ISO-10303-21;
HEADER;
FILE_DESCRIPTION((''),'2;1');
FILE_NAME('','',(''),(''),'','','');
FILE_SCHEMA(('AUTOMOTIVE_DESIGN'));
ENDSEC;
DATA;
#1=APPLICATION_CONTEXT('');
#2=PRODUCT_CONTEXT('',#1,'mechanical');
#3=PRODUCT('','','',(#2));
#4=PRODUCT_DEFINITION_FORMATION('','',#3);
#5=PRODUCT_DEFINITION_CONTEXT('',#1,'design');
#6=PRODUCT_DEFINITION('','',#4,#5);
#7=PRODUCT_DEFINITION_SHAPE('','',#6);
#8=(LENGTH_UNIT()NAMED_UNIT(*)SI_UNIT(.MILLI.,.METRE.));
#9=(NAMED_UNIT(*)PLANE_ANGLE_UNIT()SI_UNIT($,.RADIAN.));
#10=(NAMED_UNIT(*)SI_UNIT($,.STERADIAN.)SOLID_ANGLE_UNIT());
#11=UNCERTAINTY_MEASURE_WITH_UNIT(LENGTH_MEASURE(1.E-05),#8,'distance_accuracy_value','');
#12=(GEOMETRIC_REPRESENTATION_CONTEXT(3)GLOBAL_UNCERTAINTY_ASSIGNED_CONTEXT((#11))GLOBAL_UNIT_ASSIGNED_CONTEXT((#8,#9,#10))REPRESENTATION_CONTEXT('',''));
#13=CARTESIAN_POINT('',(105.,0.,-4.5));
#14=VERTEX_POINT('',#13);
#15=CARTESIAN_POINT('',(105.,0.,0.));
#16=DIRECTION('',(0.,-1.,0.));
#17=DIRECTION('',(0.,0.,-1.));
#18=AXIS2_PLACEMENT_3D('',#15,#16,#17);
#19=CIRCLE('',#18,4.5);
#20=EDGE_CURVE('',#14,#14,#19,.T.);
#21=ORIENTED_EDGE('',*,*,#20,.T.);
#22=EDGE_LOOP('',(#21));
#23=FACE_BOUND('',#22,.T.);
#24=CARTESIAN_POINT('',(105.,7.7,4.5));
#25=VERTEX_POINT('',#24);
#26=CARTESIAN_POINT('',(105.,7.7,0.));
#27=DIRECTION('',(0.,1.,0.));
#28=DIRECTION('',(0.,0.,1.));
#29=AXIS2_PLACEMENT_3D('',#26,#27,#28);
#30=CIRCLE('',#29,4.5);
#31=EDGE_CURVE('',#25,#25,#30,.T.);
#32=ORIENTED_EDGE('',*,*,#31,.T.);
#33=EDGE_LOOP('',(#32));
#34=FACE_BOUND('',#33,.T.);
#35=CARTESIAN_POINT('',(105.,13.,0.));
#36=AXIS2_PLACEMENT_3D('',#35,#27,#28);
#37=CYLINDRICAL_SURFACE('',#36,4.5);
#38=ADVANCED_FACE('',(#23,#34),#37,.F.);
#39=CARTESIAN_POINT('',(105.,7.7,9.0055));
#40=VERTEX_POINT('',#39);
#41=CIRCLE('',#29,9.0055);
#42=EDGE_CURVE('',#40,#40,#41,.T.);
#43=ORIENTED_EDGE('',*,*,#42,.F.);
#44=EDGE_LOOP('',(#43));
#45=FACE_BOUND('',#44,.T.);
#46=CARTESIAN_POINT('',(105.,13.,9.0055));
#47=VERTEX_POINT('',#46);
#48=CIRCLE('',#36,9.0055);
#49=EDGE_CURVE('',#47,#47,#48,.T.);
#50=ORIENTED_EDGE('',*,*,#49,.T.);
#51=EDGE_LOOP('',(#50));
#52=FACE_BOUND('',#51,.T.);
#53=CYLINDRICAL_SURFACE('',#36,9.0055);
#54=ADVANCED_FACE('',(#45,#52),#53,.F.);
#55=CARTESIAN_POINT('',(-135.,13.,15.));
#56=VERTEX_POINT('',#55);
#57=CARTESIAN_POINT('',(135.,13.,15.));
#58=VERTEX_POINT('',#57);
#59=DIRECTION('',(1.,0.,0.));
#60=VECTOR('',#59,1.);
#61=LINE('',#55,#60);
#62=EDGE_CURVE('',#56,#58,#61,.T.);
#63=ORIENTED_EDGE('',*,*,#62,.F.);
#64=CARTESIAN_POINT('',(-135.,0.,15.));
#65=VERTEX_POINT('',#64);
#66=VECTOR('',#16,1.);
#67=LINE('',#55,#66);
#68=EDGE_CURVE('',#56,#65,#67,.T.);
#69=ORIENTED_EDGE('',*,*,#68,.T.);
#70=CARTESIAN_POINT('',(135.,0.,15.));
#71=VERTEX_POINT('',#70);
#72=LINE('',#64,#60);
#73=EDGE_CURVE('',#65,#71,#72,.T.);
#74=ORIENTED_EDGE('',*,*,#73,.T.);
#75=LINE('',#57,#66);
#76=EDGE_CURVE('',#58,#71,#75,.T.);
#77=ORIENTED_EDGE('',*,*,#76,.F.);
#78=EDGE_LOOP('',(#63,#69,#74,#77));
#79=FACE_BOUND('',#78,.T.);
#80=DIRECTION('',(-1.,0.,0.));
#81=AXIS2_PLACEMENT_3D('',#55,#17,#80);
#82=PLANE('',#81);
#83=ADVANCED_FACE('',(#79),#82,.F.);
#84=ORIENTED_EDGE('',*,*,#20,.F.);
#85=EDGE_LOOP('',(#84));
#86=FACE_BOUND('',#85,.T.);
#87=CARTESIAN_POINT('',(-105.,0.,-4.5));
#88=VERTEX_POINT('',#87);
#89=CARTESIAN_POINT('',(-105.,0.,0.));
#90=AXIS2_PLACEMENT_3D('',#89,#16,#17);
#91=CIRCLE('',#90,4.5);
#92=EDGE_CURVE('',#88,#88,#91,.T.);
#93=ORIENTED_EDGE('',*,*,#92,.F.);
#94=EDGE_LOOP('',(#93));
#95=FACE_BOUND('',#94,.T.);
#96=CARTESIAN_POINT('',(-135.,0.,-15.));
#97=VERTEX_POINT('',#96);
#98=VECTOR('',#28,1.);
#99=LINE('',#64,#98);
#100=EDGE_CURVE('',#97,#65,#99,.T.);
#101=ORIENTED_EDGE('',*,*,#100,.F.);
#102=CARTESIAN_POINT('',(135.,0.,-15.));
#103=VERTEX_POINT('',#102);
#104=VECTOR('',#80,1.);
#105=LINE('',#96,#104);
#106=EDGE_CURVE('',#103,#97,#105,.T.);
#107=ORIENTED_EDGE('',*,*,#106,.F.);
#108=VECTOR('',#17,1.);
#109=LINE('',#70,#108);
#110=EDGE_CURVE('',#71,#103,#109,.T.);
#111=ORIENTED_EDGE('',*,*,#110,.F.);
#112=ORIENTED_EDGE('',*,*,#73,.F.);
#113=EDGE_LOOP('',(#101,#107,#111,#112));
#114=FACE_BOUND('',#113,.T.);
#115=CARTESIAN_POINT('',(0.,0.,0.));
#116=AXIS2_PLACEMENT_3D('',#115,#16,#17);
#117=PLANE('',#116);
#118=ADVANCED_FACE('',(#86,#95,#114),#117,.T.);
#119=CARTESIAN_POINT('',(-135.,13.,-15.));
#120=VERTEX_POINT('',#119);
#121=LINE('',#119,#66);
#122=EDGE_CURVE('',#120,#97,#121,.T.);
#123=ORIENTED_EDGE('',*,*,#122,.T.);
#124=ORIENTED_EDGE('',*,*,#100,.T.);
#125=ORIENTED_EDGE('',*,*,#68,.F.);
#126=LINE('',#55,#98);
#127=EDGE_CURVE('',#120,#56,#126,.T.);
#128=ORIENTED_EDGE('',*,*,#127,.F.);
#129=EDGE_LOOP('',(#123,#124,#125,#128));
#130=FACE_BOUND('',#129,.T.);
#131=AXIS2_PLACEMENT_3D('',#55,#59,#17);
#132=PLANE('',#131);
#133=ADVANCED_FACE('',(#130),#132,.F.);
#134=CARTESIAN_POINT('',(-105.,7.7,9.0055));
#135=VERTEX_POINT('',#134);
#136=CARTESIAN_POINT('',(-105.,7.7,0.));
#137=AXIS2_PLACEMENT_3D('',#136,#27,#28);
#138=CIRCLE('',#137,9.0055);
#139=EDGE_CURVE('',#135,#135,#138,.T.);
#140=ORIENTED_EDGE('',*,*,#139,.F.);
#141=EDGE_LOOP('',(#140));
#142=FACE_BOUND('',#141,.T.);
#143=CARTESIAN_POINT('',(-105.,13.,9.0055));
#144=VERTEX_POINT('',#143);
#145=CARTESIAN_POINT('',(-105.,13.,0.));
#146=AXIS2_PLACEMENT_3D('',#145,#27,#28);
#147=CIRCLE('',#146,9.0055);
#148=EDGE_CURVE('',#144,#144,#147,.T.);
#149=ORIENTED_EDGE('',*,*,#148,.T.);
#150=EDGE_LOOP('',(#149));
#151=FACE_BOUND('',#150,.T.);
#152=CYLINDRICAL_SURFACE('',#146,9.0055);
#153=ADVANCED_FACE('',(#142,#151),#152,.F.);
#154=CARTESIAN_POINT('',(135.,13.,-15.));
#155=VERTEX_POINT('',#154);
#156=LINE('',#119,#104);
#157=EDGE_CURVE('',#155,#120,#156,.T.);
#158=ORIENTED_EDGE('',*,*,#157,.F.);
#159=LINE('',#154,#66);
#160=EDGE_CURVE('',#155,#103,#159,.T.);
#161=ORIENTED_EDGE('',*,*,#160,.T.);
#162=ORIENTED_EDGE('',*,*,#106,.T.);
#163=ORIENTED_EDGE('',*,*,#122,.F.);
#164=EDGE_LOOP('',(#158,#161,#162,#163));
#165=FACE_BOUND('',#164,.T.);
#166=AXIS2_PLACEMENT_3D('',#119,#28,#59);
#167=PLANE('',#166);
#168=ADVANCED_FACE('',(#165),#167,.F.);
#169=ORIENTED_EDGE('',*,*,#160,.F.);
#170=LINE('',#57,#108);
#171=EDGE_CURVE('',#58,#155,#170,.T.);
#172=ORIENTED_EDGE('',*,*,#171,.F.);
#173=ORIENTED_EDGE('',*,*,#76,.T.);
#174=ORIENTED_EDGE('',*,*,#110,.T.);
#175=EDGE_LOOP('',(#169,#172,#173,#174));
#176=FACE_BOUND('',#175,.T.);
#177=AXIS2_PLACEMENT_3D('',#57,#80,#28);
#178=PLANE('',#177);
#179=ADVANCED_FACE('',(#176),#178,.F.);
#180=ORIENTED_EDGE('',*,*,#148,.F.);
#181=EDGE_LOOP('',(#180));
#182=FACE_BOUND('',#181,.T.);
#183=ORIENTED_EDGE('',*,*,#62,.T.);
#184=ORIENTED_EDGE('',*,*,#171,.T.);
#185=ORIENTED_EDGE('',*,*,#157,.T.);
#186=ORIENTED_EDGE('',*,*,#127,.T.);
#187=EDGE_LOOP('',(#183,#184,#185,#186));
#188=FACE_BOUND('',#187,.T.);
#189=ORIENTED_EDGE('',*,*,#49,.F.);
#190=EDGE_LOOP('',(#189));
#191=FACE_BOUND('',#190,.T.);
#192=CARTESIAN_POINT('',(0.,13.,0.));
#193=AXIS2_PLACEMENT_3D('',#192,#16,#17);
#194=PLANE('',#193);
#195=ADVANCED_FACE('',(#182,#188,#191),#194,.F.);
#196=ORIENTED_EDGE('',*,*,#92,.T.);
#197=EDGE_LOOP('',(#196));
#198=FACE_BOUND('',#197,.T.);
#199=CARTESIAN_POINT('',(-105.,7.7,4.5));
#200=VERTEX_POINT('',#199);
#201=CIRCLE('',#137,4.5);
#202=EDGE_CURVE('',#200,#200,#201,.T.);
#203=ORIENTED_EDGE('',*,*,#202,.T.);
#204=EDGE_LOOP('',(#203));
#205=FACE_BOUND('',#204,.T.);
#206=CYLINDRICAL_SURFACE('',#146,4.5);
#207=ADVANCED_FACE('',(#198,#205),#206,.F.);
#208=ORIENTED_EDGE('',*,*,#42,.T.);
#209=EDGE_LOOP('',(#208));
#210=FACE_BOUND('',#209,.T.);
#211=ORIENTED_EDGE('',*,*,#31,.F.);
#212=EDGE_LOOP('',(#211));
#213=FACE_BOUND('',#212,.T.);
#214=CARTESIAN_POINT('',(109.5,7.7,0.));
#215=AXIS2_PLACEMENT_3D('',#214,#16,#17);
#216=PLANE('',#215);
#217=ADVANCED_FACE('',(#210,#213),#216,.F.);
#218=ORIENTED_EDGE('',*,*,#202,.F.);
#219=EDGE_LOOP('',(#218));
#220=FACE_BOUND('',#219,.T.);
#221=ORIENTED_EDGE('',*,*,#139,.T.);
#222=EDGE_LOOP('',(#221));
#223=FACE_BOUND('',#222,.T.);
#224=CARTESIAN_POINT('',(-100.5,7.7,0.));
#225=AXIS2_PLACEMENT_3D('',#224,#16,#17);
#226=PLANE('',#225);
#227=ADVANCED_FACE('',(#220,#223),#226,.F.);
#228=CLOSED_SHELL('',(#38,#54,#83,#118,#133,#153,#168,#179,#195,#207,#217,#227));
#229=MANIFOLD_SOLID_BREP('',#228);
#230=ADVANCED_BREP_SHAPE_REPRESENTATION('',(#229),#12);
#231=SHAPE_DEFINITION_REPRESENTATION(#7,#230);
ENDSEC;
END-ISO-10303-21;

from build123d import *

# Parameters (mm, degrees)
SKETCH1_W                               = 270
SKETCH1_H                               = 30
BOSS_EXTRUDE1_DEPTH                     = 13
CBORE_FOR_M8_HEX_HEAD_BOLT1_D           = 9
CBORE_FOR_M8_HEX_HEAD_BOLT1_DEPTH       = 15
CBORE_FOR_M8_HEX_HEAD_BOLT1_CBORE_D     = 18.011
CBORE_FOR_M8_HEX_HEAD_BOLT1_CBORE_DEPTH = 5.3
CBORE_FOR_M8_HEX_HEAD_BOLT1_TIP         = 2.703872786


with BuildPart() as part:
    # Sketch1 → Boss-Extrude1 (new body)
    with BuildSketch(Plane(origin=(0, 0, 0), x_dir=(1, 0, 0), z_dir=(0, 1, 0))):
        Rectangle(SKETCH1_W, SKETCH1_H)
    extrude(amount=BOSS_EXTRUDE1_DEPTH)

    # CBORE for M8 Hex Head Bolt1
    with Locations(Plane(origin=(-105, 13, 0), x_dir=(0, 0, 1), z_dir=(0, 1, 0))):
        with Locations((0, 0), (0, 210)):
            CounterBoreHole(CBORE_FOR_M8_HEX_HEAD_BOLT1_D / 2, CBORE_FOR_M8_HEX_HEAD_BOLT1_CBORE_D / 2, CBORE_FOR_M8_HEX_HEAD_BOLT1_CBORE_DEPTH, depth=CBORE_FOR_M8_HEX_HEAD_BOLT1_DEPTH)
            with Locations((0, 0, -(CBORE_FOR_M8_HEX_HEAD_BOLT1_DEPTH + CBORE_FOR_M8_HEX_HEAD_BOLT1_TIP / 2))):  # 118° drill point
                Cone(0, CBORE_FOR_M8_HEX_HEAD_BOLT1_D / 2, CBORE_FOR_M8_HEX_HEAD_BOLT1_TIP, mode=Mode.SUBTRACT)


solid = part.part
